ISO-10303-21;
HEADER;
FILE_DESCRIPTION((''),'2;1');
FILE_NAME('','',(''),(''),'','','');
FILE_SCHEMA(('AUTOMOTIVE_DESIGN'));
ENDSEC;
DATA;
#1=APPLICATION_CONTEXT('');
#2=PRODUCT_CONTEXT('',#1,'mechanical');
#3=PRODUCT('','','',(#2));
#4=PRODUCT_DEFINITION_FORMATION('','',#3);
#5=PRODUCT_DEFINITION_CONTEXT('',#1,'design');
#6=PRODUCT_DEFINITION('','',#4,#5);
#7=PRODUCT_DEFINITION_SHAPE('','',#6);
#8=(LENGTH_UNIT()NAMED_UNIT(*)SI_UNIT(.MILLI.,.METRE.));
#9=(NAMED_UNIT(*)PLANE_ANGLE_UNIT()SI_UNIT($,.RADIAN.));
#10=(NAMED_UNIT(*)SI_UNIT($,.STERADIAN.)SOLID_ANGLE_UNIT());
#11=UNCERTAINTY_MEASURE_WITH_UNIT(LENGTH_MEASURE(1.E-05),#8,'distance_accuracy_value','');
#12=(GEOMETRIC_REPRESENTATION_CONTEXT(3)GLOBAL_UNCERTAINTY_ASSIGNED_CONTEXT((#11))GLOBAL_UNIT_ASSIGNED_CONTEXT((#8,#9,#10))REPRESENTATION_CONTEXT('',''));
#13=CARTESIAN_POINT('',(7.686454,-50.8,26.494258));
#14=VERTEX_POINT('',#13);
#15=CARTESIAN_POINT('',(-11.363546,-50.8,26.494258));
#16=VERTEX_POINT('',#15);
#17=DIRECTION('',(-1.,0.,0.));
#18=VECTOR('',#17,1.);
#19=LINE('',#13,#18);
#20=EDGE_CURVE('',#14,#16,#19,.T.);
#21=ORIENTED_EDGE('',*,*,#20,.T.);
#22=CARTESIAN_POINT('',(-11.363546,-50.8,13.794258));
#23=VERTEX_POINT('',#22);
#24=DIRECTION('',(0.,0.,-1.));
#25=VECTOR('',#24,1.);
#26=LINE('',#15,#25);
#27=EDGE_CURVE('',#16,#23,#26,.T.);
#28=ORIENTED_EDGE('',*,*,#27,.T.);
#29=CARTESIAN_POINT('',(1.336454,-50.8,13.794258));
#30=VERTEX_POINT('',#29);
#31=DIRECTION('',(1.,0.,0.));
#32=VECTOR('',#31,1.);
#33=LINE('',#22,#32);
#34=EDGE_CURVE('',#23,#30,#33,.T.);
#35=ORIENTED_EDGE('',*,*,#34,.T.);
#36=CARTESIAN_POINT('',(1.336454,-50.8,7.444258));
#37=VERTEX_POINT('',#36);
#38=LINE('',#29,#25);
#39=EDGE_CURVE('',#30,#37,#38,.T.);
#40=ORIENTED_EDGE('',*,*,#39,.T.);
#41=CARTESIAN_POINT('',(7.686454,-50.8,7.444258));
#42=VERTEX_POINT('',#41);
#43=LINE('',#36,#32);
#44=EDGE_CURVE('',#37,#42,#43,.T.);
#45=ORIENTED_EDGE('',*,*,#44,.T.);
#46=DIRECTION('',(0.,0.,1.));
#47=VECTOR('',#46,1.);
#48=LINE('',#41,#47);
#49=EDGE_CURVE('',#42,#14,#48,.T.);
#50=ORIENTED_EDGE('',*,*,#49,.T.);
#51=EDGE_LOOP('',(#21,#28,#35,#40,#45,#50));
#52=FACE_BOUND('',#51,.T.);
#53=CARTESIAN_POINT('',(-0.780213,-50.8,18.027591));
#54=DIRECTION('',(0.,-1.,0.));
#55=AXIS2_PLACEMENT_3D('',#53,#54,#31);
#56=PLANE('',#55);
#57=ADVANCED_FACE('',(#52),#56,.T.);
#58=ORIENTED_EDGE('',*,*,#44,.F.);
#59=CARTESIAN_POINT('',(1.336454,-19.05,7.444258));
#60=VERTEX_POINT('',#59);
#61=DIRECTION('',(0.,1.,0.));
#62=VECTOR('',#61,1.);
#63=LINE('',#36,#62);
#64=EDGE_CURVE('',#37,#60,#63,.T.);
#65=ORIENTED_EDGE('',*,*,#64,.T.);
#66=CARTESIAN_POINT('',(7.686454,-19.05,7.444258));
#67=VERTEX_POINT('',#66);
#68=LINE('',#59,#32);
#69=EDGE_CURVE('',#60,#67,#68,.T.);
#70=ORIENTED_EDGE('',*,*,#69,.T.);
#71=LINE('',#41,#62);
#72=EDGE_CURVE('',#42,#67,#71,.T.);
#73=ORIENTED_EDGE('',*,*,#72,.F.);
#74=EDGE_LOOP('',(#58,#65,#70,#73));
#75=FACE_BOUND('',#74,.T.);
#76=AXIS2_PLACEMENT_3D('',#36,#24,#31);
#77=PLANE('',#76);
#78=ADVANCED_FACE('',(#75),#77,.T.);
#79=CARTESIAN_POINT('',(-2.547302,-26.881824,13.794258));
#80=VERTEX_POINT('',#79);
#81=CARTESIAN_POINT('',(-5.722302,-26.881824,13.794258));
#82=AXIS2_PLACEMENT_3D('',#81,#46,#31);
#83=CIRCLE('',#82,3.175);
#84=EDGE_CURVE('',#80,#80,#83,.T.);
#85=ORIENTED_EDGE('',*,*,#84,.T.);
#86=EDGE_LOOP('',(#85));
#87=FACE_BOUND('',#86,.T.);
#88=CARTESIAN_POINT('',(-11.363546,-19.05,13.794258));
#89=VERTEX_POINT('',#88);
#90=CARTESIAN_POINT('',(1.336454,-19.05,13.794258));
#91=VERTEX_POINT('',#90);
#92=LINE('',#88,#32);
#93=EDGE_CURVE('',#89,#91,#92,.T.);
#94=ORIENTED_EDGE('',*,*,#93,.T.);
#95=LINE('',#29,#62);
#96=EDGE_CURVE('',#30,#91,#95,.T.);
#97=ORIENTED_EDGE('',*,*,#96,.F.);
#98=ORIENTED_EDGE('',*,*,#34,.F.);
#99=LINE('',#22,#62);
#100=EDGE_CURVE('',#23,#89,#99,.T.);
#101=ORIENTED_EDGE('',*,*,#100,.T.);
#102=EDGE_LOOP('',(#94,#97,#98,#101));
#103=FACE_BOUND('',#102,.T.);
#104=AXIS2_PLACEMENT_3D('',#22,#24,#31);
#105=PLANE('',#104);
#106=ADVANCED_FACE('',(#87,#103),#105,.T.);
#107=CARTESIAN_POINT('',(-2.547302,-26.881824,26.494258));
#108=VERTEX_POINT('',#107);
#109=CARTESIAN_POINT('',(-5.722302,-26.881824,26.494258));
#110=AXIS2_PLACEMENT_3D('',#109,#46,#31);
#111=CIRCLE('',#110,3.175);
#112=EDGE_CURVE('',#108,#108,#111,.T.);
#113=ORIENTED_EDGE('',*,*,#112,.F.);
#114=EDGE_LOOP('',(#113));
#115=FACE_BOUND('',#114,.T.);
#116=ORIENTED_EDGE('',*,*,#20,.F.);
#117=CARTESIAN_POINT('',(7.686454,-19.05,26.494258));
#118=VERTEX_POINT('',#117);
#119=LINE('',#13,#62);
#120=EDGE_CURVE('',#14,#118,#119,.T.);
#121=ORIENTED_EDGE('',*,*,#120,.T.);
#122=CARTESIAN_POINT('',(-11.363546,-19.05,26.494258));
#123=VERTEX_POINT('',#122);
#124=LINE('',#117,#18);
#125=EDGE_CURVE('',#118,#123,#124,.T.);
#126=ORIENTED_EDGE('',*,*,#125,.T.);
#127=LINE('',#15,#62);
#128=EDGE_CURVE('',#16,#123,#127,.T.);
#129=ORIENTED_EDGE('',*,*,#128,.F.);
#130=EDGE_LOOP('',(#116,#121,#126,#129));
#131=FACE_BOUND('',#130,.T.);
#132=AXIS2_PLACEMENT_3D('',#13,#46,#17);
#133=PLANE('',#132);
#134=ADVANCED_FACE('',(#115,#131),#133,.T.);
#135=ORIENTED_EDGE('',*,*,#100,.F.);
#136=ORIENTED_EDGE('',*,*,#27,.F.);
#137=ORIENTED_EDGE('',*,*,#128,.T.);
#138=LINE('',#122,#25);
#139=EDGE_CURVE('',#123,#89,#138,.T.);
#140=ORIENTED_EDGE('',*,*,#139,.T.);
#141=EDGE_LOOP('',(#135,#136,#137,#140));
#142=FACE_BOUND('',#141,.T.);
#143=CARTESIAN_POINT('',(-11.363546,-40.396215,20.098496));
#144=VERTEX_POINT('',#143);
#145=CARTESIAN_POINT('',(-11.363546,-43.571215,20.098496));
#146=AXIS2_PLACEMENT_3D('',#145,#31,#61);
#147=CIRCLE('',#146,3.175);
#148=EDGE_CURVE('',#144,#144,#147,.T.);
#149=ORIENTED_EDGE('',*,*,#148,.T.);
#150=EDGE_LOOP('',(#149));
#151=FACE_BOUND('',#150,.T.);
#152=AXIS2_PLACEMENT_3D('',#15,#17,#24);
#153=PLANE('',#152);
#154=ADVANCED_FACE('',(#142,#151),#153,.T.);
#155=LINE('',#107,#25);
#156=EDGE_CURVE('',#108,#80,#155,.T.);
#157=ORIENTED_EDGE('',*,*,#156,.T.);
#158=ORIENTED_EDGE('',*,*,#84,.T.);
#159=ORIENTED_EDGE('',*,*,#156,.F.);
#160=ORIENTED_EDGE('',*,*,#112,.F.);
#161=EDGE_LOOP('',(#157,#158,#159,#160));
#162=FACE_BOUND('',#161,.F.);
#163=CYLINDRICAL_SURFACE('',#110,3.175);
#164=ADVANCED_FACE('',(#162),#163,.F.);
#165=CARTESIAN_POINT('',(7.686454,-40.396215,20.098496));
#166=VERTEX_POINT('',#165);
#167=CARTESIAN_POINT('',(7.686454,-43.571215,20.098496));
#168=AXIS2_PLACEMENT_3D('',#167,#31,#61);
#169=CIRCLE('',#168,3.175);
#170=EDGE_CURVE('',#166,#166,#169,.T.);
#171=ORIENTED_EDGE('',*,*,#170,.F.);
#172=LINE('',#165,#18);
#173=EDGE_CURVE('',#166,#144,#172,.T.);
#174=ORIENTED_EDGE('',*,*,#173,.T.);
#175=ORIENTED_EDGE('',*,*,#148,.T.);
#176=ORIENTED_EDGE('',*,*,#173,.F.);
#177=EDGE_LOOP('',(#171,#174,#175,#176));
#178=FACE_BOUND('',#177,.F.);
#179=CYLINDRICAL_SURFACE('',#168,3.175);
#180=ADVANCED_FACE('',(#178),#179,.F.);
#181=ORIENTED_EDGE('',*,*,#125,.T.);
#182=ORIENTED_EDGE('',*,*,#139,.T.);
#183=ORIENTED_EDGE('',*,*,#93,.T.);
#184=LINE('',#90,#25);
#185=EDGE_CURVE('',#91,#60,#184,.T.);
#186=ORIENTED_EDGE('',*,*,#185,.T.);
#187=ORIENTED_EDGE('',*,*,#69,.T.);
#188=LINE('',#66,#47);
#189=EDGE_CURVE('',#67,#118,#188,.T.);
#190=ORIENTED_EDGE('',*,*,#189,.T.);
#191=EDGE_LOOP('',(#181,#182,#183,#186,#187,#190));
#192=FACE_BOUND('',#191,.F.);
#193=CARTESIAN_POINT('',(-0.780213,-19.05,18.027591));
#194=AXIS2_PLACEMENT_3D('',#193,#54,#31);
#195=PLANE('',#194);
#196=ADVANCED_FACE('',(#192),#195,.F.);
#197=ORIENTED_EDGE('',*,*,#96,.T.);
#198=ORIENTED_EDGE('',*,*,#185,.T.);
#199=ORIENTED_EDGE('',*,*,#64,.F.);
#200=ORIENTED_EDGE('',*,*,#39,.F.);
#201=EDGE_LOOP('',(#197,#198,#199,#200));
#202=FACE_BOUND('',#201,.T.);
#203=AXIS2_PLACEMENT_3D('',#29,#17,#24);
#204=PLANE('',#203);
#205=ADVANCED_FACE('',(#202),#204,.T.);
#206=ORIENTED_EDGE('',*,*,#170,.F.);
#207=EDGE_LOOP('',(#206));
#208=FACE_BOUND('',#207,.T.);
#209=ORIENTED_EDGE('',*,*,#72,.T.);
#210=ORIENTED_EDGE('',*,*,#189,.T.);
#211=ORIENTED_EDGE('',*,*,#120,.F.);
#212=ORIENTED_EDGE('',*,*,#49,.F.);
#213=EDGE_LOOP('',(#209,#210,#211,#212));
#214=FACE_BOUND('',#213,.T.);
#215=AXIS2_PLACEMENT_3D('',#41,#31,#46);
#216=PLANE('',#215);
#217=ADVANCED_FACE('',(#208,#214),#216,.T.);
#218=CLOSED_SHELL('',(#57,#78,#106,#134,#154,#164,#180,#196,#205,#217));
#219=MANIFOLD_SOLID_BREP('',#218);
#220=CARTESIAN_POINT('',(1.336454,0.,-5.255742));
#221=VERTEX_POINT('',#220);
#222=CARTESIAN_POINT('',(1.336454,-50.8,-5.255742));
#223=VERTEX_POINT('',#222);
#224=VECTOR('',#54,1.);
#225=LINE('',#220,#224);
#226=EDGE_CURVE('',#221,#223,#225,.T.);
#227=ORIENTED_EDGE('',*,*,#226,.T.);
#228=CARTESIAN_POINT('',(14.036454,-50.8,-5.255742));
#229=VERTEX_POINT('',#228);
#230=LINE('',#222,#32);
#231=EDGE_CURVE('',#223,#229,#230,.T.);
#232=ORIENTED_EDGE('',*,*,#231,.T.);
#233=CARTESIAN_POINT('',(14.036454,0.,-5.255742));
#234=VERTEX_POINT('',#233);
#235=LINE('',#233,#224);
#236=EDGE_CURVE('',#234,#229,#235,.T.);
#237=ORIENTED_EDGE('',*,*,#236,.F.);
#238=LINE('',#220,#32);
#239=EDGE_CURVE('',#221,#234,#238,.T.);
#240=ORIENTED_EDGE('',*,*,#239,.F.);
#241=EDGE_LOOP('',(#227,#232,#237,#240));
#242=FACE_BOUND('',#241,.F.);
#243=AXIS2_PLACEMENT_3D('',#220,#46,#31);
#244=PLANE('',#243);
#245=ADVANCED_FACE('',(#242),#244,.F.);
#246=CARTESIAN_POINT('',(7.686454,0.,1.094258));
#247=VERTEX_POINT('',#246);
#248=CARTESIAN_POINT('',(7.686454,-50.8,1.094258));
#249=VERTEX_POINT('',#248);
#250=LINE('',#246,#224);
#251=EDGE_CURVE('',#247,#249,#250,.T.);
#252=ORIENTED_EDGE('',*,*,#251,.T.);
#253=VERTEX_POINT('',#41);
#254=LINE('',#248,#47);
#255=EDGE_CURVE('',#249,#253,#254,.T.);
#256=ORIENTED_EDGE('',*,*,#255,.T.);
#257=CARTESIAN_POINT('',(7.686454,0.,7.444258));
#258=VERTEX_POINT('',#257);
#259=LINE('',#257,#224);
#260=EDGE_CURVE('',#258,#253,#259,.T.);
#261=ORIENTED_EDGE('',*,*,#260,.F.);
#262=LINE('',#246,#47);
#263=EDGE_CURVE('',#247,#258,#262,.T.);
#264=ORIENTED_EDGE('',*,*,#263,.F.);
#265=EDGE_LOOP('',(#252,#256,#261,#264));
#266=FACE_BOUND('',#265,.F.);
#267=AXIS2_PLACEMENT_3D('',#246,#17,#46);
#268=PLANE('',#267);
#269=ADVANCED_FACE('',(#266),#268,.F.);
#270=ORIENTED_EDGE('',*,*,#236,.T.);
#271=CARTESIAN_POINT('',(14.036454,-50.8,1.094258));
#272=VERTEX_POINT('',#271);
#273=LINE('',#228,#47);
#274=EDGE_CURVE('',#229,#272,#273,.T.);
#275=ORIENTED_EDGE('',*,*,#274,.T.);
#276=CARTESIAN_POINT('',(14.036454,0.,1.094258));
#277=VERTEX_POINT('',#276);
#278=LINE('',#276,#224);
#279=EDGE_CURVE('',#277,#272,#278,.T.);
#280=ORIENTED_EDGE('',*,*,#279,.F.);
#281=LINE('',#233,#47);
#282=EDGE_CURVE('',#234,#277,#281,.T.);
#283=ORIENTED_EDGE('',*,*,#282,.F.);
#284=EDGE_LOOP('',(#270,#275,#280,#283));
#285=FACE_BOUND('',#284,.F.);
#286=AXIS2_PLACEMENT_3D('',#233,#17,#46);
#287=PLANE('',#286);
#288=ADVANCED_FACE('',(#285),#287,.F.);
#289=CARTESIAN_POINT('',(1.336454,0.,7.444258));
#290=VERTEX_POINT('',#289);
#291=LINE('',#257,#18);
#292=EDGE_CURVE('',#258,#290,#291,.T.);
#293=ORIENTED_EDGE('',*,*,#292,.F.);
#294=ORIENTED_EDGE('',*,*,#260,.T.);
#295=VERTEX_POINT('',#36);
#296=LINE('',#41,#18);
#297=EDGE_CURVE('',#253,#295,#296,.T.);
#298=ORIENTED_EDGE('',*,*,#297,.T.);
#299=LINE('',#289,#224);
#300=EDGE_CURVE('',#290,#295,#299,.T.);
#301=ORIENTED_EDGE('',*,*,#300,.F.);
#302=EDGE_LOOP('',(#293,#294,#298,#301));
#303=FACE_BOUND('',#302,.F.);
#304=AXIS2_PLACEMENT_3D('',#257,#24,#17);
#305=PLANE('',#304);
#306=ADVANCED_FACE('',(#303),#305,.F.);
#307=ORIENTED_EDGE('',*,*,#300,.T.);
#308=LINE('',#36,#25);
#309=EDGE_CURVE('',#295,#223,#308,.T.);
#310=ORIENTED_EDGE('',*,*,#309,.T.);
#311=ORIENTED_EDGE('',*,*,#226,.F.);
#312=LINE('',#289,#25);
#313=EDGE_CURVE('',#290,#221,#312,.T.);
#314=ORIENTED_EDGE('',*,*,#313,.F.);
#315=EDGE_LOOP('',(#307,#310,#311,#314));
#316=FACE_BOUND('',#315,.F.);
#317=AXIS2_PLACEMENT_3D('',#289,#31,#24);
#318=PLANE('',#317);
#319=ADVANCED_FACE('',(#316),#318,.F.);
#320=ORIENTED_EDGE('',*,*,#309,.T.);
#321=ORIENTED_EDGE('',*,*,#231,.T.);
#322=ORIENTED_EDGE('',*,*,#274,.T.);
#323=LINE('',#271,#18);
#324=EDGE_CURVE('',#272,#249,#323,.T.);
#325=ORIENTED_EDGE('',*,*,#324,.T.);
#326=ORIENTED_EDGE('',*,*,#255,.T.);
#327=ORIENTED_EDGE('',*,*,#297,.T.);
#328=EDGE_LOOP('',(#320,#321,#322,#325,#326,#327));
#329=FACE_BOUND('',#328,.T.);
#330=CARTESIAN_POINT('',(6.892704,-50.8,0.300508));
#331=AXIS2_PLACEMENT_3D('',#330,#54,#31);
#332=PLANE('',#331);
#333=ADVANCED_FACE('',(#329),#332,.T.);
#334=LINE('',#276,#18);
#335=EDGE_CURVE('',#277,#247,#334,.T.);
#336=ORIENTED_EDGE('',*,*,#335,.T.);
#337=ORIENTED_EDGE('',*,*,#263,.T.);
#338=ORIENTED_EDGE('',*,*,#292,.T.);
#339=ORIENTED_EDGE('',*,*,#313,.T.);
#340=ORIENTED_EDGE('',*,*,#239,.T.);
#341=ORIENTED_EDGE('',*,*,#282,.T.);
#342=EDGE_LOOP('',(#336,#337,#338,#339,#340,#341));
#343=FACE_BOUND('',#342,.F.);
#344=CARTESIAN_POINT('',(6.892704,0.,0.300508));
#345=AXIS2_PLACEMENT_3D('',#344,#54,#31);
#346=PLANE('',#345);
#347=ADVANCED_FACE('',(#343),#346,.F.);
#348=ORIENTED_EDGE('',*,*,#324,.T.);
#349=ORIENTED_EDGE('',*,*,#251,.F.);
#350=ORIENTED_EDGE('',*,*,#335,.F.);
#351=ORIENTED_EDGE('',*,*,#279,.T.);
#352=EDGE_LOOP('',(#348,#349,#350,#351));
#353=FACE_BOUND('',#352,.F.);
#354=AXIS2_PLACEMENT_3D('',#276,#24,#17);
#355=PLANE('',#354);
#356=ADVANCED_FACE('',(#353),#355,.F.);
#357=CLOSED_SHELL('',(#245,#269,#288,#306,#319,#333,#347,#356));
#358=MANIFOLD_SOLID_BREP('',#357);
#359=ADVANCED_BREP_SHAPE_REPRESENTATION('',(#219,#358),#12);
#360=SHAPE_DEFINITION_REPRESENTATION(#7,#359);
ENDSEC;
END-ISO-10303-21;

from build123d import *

# Parameters (mm, degrees)
F1_DEPTH = 50.8
F3_DEPTH = 31.75
F4_R     = 3.175
F5_DEPTH = 19.051
F6_R     = 3.175
F7_DEPTH = 31.751


with BuildPart() as f1:
    # F0 (on Front) → F1 (new body)
    with BuildSketch(Plane.XZ):
        Polygon((7.686454, 7.444258), (1.336454, 7.444258), (1.336454, -5.255742), (14.036454, -5.255742), (14.036454, 1.094258), (7.686454, 1.094258), align=None)
    extrude(amount=F1_DEPTH)


with BuildPart() as f3:
    # F2 (on face) → F3 (new body)
    with BuildSketch(Plane.XZ.offset(50.8)):
        Polygon((1.336454, 13.794258), (1.336454, 7.444258), (7.686454, 7.444258), (7.686454, 26.494258), (-11.363546, 26.494258), (-11.363546, 13.794258), align=None)
    extrude(amount=-F3_DEPTH)

    # F4 (on face) → F5 (cut, through all)
    with BuildSketch(Plane.YZ.offset(7.686454)):
        with Locations((-43.571215, 20.098496)):
            Circle(F4_R)
    extrude(amount=-F5_DEPTH, mode=Mode.SUBTRACT)

    # F6 (on face) → F7 (cut, through all)
    with BuildSketch(Plane.XY.offset(26.494258)):
        with Locations((-5.722302, -26.881824)):
            Circle(F6_R)
    extrude(amount=-F7_DEPTH, mode=Mode.SUBTRACT)


solid = Compound([f1.part, f3.part])
